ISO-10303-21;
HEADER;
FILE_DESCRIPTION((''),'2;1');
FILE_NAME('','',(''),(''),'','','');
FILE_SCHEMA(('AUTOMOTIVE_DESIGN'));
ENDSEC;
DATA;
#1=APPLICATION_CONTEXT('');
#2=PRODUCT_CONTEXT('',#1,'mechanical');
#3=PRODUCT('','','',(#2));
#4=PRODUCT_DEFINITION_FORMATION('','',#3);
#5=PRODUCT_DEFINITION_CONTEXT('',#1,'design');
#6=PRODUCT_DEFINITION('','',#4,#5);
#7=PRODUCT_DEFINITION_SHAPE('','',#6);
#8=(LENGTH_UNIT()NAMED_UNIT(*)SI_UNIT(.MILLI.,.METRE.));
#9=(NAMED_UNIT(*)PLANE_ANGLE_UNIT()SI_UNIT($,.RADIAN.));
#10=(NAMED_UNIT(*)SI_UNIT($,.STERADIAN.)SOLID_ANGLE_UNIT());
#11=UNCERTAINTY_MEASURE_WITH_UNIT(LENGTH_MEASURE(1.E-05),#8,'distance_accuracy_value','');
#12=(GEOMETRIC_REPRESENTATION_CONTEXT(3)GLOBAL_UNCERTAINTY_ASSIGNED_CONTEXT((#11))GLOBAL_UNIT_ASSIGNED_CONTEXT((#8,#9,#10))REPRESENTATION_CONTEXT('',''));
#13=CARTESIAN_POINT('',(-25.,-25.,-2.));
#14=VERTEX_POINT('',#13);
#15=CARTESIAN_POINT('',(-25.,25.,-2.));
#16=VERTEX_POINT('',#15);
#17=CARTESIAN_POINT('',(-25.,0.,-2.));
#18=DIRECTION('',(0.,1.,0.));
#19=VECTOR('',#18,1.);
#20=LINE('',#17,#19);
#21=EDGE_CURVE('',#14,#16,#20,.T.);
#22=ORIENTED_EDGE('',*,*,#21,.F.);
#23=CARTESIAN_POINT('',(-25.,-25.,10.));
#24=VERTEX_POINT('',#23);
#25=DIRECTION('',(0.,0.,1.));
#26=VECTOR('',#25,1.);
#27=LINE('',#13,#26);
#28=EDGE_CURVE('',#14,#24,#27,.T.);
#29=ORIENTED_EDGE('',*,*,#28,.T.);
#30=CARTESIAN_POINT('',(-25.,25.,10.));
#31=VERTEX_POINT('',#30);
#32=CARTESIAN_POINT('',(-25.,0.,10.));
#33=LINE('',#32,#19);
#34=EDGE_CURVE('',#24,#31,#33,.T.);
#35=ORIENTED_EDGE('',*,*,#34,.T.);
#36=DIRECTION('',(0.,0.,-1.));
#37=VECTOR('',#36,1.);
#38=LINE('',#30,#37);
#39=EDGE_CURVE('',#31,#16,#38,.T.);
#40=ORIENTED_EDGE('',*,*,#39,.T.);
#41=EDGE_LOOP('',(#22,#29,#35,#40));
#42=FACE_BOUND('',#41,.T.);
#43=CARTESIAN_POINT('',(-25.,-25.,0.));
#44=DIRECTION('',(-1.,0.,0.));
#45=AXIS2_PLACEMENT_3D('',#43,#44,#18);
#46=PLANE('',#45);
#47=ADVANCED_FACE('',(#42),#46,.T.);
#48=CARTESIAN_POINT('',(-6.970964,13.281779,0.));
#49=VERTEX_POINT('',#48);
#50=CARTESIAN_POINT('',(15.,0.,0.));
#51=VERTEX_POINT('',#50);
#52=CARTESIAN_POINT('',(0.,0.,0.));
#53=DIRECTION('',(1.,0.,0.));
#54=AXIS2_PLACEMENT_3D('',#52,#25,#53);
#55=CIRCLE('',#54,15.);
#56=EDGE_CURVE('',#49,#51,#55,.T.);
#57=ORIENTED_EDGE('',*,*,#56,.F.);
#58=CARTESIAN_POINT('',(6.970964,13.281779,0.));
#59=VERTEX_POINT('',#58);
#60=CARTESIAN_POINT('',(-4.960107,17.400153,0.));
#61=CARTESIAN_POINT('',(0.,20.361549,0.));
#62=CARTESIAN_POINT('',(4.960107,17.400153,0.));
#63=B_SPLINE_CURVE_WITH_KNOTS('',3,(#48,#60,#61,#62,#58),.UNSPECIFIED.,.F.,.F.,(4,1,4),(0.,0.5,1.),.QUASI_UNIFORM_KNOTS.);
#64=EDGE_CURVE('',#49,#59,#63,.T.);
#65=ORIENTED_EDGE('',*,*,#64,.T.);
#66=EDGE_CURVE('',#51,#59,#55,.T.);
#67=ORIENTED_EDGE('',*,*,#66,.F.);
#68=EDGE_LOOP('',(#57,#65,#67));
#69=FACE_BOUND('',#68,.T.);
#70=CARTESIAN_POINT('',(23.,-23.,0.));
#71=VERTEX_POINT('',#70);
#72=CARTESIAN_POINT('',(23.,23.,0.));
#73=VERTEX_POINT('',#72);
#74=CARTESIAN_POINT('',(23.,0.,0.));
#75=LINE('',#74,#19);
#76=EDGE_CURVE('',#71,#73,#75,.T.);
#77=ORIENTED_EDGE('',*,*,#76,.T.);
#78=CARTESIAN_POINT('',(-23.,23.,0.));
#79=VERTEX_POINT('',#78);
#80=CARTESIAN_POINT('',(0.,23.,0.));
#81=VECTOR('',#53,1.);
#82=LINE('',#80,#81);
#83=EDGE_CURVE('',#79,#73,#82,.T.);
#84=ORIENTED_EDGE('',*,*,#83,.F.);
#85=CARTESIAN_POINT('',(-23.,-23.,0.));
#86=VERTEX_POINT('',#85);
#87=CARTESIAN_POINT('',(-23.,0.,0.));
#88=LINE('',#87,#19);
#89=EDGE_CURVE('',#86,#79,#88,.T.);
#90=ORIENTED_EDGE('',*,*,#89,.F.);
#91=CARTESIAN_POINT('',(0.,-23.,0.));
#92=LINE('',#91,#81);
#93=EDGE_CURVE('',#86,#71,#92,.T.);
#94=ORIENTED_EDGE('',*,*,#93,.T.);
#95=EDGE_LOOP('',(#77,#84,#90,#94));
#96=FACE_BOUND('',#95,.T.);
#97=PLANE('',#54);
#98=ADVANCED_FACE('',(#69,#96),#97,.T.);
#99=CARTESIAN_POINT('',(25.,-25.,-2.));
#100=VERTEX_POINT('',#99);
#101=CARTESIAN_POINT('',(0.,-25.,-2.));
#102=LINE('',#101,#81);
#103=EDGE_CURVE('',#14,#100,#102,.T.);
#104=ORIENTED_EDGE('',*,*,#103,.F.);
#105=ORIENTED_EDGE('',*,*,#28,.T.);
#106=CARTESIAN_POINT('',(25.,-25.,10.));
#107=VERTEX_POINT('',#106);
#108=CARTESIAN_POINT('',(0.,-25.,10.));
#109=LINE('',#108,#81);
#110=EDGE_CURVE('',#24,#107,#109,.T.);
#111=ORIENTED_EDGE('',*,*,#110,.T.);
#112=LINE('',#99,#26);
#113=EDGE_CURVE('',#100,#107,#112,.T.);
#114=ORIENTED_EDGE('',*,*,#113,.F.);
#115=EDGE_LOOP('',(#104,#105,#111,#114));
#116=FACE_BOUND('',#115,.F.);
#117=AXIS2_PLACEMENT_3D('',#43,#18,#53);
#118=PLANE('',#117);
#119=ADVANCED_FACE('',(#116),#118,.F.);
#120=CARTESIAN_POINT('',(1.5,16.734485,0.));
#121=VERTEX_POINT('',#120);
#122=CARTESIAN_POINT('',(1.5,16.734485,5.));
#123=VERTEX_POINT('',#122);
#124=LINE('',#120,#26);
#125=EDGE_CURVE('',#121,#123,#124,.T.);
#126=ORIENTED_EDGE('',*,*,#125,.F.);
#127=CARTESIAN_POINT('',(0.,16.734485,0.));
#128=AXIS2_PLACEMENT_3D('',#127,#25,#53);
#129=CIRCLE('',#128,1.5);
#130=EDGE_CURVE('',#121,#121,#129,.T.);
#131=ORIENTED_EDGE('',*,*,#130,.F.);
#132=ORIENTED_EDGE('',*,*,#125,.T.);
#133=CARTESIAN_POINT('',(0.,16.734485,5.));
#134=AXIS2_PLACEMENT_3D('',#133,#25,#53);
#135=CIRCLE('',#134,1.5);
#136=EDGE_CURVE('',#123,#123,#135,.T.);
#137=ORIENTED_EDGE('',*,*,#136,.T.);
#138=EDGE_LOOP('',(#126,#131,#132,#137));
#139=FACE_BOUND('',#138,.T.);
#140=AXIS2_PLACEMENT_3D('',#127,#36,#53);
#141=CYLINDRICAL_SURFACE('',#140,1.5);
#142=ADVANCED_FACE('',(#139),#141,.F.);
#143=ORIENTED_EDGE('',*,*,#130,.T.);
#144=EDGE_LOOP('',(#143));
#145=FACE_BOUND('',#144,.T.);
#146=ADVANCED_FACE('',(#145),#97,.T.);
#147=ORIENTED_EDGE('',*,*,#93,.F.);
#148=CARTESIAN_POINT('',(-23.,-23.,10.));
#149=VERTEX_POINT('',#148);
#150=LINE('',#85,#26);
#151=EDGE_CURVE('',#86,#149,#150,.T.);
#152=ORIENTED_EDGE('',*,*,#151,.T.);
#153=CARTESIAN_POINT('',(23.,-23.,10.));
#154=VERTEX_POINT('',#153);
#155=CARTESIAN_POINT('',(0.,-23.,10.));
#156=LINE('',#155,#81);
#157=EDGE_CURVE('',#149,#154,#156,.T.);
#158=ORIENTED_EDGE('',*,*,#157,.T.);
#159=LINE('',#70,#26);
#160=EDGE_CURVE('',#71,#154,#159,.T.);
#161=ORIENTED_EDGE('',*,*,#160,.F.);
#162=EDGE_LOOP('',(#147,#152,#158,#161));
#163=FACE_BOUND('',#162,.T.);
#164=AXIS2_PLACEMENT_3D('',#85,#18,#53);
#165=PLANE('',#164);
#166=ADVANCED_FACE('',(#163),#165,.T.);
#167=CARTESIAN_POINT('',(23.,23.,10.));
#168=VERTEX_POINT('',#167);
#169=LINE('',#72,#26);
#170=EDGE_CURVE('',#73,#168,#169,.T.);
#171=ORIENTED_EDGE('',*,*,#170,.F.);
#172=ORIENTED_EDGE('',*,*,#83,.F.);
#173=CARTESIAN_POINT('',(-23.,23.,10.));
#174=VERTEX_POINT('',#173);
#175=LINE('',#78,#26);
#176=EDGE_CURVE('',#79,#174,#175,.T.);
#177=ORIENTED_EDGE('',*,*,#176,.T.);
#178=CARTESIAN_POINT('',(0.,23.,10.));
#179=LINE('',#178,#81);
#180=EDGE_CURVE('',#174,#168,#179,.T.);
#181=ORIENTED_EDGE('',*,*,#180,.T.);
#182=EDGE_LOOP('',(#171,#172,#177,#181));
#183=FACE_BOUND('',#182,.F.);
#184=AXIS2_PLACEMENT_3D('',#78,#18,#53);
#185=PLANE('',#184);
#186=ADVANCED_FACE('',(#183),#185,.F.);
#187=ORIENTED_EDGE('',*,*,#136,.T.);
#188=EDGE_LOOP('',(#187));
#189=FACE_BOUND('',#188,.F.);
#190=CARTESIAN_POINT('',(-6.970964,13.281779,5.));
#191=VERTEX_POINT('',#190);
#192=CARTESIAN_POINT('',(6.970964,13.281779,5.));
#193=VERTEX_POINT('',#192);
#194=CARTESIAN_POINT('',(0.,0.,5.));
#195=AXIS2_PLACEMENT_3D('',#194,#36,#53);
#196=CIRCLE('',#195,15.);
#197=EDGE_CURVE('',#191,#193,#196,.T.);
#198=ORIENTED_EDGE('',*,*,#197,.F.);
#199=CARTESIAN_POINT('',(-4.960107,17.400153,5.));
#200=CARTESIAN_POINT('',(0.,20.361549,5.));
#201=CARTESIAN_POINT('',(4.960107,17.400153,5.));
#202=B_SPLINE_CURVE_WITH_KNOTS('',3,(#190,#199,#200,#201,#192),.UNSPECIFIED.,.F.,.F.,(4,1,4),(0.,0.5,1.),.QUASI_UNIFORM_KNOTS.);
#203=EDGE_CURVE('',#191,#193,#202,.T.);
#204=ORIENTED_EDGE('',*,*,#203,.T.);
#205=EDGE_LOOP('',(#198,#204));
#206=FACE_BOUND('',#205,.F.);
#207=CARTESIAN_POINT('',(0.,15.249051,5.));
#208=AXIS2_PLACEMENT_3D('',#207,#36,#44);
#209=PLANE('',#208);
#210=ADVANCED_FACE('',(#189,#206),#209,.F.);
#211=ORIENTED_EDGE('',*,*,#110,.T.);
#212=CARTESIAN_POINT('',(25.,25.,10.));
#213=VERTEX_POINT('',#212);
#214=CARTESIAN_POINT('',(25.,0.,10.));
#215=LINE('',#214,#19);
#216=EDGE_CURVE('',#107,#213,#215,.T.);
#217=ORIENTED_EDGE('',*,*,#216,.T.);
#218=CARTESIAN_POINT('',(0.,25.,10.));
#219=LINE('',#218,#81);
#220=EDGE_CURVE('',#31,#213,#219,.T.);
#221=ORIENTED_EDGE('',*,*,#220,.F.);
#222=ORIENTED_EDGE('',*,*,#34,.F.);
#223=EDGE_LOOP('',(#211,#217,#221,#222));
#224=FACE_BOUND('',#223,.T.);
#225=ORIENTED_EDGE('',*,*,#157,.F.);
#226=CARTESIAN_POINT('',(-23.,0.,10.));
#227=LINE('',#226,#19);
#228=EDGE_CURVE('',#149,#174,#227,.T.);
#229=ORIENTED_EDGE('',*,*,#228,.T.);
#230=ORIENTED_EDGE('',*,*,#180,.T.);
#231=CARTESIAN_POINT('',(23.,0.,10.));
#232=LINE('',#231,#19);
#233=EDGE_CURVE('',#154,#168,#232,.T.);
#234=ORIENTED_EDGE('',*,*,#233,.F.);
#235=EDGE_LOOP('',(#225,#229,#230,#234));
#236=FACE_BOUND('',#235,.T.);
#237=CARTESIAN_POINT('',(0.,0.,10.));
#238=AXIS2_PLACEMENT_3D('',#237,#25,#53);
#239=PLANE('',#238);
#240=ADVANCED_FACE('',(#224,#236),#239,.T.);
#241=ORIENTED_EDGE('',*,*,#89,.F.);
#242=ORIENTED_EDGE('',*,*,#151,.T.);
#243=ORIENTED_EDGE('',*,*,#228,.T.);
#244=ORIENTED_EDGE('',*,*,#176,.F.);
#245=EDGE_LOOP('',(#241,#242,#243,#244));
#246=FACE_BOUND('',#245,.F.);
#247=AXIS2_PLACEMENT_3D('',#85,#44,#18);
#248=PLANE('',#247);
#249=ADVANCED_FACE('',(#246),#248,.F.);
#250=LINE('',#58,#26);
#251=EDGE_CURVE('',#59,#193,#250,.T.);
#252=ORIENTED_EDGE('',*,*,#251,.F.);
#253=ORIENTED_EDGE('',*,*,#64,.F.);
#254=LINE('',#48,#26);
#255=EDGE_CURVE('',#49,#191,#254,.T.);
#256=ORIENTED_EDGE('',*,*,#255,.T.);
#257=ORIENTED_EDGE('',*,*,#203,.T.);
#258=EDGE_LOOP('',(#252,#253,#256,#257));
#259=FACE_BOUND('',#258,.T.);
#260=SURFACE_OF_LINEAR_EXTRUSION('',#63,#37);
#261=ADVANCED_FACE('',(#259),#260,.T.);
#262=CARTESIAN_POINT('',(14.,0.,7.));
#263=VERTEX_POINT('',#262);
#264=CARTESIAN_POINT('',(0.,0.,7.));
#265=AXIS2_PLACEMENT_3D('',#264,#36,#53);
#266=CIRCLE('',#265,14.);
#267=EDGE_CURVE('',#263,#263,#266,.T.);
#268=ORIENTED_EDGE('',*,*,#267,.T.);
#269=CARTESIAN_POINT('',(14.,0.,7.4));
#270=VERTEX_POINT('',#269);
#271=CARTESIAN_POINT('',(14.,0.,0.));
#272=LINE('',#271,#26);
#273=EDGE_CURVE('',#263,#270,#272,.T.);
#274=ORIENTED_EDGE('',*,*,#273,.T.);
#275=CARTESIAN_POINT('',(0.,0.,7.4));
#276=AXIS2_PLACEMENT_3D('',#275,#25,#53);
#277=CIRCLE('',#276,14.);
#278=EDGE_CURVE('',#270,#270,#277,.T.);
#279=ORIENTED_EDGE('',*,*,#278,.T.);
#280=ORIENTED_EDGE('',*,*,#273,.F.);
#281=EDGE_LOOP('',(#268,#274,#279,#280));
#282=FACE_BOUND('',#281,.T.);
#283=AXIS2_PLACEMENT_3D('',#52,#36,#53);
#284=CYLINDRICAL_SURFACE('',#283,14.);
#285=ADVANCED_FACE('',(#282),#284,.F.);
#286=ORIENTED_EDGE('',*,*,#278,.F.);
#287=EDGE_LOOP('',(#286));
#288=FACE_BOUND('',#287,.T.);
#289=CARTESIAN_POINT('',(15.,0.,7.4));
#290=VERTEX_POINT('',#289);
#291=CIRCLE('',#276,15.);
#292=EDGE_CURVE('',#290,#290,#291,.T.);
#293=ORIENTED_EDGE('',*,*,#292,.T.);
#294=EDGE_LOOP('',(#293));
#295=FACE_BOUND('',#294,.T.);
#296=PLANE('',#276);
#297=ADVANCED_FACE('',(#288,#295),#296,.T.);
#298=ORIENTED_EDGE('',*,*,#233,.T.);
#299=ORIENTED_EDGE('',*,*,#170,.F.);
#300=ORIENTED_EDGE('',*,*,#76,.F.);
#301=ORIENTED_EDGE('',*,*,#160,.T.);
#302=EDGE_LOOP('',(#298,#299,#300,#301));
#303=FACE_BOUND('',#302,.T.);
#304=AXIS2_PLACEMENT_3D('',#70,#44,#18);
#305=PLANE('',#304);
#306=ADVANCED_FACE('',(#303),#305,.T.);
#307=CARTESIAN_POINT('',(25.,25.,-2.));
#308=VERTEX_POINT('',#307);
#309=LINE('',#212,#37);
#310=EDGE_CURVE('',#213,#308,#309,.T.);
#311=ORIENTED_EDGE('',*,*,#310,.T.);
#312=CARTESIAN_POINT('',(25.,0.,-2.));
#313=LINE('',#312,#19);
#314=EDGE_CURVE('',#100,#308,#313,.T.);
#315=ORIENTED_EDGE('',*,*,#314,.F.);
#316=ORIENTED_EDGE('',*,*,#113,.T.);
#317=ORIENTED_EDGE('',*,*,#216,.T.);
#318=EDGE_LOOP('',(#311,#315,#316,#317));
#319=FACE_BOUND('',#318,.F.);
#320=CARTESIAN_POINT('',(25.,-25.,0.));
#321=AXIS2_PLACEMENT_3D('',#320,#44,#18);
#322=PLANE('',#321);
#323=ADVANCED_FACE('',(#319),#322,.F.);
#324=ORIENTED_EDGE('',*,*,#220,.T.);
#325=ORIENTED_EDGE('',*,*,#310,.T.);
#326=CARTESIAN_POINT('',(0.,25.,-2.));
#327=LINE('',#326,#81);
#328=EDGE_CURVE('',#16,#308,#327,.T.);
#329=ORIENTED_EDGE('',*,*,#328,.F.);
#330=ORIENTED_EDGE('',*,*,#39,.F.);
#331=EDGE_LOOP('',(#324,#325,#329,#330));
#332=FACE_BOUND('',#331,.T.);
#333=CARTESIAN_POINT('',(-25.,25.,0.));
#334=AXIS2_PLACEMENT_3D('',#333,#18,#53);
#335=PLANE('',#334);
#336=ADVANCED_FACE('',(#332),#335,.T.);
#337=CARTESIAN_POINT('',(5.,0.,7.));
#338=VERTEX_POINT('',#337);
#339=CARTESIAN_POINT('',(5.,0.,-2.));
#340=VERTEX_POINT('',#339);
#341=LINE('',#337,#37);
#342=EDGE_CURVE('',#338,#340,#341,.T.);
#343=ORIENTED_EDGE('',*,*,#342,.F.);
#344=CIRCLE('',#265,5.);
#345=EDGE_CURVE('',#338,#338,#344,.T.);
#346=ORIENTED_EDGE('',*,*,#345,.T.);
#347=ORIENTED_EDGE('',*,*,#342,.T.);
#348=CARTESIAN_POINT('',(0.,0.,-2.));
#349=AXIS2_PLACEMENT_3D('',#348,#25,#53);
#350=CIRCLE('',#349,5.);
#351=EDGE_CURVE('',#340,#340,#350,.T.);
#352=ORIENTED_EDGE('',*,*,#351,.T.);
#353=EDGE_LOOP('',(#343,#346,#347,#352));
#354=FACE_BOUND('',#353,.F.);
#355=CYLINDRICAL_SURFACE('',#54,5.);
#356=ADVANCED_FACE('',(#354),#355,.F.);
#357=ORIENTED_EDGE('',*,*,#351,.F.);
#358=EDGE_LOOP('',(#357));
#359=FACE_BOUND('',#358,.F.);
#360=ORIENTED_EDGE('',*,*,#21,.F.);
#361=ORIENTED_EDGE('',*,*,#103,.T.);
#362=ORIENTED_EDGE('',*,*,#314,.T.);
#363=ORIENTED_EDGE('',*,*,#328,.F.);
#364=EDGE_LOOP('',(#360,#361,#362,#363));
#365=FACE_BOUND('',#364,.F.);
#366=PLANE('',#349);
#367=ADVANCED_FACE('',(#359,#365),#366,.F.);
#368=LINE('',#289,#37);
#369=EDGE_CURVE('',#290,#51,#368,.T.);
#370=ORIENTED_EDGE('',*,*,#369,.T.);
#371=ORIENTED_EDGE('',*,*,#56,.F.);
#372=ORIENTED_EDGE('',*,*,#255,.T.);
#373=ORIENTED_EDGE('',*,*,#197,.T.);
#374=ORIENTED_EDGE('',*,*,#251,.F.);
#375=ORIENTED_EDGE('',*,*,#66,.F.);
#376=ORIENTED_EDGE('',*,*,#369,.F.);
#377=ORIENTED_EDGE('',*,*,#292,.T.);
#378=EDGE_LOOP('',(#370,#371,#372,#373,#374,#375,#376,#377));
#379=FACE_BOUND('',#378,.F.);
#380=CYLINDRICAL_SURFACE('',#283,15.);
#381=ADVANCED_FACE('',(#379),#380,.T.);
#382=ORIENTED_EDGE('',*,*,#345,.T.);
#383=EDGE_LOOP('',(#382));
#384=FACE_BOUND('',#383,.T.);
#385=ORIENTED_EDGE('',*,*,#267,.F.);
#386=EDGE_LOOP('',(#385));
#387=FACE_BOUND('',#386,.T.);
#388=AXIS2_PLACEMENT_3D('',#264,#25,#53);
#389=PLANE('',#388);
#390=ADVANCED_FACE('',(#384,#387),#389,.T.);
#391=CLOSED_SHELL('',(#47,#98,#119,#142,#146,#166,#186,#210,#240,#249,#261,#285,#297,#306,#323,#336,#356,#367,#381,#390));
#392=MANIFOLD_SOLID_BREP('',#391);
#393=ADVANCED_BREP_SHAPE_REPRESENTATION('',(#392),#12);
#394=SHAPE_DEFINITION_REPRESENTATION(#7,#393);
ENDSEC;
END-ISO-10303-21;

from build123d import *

# Parameters (mm, degrees)
SKETCH_R          = 15
PAD_DEPTH         = 7
SKETCH001_R       = 1.5
PAD001_DEPTH      = 5
SKETCH002_R       = 15
SKETCH002_R_2     = 14
PAD002_DEPTH      = 7.4
SKETCH003_W       = 50
SKETCH003_H       = 50
PAD003_DEPTH      = 2
SKETCH004_W       = 50
SKETCH004_H       = 50
SKETCH004_W_2     = 46
SKETCH004_H_2     = 46
PAD004_DEPTH      = 10
SKETCH005_R       = 5
POCKET_DEPTH      = 2.001
POCKET_DEPTH_BACK = -10.001


with BuildPart() as part:
    # Sketch → Pad (new body)
    with BuildSketch(Plane.XY):
        Circle(SKETCH_R)
    extrude(amount=PAD_DEPTH)

    # Sketch001 → Pad001 (join)
    with BuildSketch(Plane.XY):
        with BuildLine():
            add(Edge.make_bspline(
                [(-6.970964, 13.281779), (-4.960107, 17.400153), (0, 20.361549), (4.960107, 17.400153), (6.970964, 13.281779)],
                knots=[0, 0, 0, 0, 0.5, 1, 1, 1, 1], degree=3))
            Line((6.970964, 13.281779), (-6.970964, 13.281779))
        make_face()
        with Locations((0, 16.734485)):
            Circle(SKETCH001_R, mode=Mode.SUBTRACT)
    extrude(amount=PAD001_DEPTH)

    # Sketch002 → Pad002 (join)
    with BuildSketch(Plane.XY):
        Circle(SKETCH002_R)
        Circle(SKETCH002_R_2, mode=Mode.SUBTRACT)
    extrude(amount=PAD002_DEPTH)

    # Sketch003 → Pad003 (join)
    with BuildSketch(Plane.XY):
        Rectangle(SKETCH003_W, SKETCH003_H)
    extrude(amount=-PAD003_DEPTH)

    # Sketch004 → Pad004 (join)
    with BuildSketch(Plane.XY):
        Rectangle(SKETCH004_W, SKETCH004_H)
        Rectangle(SKETCH004_W_2, SKETCH004_H_2, mode=Mode.SUBTRACT)
    extrude(amount=PAD004_DEPTH)

    # Sketch005 → Pocket (cut, two sides)
    with BuildSketch(Plane.XY) as pocket_sk:
        Circle(SKETCH005_R)
    extrude(amount=-POCKET_DEPTH, mode=Mode.SUBTRACT)
    extrude(pocket_sk.sketch, amount=-POCKET_DEPTH_BACK, mode=Mode.SUBTRACT)


solid = part.part
